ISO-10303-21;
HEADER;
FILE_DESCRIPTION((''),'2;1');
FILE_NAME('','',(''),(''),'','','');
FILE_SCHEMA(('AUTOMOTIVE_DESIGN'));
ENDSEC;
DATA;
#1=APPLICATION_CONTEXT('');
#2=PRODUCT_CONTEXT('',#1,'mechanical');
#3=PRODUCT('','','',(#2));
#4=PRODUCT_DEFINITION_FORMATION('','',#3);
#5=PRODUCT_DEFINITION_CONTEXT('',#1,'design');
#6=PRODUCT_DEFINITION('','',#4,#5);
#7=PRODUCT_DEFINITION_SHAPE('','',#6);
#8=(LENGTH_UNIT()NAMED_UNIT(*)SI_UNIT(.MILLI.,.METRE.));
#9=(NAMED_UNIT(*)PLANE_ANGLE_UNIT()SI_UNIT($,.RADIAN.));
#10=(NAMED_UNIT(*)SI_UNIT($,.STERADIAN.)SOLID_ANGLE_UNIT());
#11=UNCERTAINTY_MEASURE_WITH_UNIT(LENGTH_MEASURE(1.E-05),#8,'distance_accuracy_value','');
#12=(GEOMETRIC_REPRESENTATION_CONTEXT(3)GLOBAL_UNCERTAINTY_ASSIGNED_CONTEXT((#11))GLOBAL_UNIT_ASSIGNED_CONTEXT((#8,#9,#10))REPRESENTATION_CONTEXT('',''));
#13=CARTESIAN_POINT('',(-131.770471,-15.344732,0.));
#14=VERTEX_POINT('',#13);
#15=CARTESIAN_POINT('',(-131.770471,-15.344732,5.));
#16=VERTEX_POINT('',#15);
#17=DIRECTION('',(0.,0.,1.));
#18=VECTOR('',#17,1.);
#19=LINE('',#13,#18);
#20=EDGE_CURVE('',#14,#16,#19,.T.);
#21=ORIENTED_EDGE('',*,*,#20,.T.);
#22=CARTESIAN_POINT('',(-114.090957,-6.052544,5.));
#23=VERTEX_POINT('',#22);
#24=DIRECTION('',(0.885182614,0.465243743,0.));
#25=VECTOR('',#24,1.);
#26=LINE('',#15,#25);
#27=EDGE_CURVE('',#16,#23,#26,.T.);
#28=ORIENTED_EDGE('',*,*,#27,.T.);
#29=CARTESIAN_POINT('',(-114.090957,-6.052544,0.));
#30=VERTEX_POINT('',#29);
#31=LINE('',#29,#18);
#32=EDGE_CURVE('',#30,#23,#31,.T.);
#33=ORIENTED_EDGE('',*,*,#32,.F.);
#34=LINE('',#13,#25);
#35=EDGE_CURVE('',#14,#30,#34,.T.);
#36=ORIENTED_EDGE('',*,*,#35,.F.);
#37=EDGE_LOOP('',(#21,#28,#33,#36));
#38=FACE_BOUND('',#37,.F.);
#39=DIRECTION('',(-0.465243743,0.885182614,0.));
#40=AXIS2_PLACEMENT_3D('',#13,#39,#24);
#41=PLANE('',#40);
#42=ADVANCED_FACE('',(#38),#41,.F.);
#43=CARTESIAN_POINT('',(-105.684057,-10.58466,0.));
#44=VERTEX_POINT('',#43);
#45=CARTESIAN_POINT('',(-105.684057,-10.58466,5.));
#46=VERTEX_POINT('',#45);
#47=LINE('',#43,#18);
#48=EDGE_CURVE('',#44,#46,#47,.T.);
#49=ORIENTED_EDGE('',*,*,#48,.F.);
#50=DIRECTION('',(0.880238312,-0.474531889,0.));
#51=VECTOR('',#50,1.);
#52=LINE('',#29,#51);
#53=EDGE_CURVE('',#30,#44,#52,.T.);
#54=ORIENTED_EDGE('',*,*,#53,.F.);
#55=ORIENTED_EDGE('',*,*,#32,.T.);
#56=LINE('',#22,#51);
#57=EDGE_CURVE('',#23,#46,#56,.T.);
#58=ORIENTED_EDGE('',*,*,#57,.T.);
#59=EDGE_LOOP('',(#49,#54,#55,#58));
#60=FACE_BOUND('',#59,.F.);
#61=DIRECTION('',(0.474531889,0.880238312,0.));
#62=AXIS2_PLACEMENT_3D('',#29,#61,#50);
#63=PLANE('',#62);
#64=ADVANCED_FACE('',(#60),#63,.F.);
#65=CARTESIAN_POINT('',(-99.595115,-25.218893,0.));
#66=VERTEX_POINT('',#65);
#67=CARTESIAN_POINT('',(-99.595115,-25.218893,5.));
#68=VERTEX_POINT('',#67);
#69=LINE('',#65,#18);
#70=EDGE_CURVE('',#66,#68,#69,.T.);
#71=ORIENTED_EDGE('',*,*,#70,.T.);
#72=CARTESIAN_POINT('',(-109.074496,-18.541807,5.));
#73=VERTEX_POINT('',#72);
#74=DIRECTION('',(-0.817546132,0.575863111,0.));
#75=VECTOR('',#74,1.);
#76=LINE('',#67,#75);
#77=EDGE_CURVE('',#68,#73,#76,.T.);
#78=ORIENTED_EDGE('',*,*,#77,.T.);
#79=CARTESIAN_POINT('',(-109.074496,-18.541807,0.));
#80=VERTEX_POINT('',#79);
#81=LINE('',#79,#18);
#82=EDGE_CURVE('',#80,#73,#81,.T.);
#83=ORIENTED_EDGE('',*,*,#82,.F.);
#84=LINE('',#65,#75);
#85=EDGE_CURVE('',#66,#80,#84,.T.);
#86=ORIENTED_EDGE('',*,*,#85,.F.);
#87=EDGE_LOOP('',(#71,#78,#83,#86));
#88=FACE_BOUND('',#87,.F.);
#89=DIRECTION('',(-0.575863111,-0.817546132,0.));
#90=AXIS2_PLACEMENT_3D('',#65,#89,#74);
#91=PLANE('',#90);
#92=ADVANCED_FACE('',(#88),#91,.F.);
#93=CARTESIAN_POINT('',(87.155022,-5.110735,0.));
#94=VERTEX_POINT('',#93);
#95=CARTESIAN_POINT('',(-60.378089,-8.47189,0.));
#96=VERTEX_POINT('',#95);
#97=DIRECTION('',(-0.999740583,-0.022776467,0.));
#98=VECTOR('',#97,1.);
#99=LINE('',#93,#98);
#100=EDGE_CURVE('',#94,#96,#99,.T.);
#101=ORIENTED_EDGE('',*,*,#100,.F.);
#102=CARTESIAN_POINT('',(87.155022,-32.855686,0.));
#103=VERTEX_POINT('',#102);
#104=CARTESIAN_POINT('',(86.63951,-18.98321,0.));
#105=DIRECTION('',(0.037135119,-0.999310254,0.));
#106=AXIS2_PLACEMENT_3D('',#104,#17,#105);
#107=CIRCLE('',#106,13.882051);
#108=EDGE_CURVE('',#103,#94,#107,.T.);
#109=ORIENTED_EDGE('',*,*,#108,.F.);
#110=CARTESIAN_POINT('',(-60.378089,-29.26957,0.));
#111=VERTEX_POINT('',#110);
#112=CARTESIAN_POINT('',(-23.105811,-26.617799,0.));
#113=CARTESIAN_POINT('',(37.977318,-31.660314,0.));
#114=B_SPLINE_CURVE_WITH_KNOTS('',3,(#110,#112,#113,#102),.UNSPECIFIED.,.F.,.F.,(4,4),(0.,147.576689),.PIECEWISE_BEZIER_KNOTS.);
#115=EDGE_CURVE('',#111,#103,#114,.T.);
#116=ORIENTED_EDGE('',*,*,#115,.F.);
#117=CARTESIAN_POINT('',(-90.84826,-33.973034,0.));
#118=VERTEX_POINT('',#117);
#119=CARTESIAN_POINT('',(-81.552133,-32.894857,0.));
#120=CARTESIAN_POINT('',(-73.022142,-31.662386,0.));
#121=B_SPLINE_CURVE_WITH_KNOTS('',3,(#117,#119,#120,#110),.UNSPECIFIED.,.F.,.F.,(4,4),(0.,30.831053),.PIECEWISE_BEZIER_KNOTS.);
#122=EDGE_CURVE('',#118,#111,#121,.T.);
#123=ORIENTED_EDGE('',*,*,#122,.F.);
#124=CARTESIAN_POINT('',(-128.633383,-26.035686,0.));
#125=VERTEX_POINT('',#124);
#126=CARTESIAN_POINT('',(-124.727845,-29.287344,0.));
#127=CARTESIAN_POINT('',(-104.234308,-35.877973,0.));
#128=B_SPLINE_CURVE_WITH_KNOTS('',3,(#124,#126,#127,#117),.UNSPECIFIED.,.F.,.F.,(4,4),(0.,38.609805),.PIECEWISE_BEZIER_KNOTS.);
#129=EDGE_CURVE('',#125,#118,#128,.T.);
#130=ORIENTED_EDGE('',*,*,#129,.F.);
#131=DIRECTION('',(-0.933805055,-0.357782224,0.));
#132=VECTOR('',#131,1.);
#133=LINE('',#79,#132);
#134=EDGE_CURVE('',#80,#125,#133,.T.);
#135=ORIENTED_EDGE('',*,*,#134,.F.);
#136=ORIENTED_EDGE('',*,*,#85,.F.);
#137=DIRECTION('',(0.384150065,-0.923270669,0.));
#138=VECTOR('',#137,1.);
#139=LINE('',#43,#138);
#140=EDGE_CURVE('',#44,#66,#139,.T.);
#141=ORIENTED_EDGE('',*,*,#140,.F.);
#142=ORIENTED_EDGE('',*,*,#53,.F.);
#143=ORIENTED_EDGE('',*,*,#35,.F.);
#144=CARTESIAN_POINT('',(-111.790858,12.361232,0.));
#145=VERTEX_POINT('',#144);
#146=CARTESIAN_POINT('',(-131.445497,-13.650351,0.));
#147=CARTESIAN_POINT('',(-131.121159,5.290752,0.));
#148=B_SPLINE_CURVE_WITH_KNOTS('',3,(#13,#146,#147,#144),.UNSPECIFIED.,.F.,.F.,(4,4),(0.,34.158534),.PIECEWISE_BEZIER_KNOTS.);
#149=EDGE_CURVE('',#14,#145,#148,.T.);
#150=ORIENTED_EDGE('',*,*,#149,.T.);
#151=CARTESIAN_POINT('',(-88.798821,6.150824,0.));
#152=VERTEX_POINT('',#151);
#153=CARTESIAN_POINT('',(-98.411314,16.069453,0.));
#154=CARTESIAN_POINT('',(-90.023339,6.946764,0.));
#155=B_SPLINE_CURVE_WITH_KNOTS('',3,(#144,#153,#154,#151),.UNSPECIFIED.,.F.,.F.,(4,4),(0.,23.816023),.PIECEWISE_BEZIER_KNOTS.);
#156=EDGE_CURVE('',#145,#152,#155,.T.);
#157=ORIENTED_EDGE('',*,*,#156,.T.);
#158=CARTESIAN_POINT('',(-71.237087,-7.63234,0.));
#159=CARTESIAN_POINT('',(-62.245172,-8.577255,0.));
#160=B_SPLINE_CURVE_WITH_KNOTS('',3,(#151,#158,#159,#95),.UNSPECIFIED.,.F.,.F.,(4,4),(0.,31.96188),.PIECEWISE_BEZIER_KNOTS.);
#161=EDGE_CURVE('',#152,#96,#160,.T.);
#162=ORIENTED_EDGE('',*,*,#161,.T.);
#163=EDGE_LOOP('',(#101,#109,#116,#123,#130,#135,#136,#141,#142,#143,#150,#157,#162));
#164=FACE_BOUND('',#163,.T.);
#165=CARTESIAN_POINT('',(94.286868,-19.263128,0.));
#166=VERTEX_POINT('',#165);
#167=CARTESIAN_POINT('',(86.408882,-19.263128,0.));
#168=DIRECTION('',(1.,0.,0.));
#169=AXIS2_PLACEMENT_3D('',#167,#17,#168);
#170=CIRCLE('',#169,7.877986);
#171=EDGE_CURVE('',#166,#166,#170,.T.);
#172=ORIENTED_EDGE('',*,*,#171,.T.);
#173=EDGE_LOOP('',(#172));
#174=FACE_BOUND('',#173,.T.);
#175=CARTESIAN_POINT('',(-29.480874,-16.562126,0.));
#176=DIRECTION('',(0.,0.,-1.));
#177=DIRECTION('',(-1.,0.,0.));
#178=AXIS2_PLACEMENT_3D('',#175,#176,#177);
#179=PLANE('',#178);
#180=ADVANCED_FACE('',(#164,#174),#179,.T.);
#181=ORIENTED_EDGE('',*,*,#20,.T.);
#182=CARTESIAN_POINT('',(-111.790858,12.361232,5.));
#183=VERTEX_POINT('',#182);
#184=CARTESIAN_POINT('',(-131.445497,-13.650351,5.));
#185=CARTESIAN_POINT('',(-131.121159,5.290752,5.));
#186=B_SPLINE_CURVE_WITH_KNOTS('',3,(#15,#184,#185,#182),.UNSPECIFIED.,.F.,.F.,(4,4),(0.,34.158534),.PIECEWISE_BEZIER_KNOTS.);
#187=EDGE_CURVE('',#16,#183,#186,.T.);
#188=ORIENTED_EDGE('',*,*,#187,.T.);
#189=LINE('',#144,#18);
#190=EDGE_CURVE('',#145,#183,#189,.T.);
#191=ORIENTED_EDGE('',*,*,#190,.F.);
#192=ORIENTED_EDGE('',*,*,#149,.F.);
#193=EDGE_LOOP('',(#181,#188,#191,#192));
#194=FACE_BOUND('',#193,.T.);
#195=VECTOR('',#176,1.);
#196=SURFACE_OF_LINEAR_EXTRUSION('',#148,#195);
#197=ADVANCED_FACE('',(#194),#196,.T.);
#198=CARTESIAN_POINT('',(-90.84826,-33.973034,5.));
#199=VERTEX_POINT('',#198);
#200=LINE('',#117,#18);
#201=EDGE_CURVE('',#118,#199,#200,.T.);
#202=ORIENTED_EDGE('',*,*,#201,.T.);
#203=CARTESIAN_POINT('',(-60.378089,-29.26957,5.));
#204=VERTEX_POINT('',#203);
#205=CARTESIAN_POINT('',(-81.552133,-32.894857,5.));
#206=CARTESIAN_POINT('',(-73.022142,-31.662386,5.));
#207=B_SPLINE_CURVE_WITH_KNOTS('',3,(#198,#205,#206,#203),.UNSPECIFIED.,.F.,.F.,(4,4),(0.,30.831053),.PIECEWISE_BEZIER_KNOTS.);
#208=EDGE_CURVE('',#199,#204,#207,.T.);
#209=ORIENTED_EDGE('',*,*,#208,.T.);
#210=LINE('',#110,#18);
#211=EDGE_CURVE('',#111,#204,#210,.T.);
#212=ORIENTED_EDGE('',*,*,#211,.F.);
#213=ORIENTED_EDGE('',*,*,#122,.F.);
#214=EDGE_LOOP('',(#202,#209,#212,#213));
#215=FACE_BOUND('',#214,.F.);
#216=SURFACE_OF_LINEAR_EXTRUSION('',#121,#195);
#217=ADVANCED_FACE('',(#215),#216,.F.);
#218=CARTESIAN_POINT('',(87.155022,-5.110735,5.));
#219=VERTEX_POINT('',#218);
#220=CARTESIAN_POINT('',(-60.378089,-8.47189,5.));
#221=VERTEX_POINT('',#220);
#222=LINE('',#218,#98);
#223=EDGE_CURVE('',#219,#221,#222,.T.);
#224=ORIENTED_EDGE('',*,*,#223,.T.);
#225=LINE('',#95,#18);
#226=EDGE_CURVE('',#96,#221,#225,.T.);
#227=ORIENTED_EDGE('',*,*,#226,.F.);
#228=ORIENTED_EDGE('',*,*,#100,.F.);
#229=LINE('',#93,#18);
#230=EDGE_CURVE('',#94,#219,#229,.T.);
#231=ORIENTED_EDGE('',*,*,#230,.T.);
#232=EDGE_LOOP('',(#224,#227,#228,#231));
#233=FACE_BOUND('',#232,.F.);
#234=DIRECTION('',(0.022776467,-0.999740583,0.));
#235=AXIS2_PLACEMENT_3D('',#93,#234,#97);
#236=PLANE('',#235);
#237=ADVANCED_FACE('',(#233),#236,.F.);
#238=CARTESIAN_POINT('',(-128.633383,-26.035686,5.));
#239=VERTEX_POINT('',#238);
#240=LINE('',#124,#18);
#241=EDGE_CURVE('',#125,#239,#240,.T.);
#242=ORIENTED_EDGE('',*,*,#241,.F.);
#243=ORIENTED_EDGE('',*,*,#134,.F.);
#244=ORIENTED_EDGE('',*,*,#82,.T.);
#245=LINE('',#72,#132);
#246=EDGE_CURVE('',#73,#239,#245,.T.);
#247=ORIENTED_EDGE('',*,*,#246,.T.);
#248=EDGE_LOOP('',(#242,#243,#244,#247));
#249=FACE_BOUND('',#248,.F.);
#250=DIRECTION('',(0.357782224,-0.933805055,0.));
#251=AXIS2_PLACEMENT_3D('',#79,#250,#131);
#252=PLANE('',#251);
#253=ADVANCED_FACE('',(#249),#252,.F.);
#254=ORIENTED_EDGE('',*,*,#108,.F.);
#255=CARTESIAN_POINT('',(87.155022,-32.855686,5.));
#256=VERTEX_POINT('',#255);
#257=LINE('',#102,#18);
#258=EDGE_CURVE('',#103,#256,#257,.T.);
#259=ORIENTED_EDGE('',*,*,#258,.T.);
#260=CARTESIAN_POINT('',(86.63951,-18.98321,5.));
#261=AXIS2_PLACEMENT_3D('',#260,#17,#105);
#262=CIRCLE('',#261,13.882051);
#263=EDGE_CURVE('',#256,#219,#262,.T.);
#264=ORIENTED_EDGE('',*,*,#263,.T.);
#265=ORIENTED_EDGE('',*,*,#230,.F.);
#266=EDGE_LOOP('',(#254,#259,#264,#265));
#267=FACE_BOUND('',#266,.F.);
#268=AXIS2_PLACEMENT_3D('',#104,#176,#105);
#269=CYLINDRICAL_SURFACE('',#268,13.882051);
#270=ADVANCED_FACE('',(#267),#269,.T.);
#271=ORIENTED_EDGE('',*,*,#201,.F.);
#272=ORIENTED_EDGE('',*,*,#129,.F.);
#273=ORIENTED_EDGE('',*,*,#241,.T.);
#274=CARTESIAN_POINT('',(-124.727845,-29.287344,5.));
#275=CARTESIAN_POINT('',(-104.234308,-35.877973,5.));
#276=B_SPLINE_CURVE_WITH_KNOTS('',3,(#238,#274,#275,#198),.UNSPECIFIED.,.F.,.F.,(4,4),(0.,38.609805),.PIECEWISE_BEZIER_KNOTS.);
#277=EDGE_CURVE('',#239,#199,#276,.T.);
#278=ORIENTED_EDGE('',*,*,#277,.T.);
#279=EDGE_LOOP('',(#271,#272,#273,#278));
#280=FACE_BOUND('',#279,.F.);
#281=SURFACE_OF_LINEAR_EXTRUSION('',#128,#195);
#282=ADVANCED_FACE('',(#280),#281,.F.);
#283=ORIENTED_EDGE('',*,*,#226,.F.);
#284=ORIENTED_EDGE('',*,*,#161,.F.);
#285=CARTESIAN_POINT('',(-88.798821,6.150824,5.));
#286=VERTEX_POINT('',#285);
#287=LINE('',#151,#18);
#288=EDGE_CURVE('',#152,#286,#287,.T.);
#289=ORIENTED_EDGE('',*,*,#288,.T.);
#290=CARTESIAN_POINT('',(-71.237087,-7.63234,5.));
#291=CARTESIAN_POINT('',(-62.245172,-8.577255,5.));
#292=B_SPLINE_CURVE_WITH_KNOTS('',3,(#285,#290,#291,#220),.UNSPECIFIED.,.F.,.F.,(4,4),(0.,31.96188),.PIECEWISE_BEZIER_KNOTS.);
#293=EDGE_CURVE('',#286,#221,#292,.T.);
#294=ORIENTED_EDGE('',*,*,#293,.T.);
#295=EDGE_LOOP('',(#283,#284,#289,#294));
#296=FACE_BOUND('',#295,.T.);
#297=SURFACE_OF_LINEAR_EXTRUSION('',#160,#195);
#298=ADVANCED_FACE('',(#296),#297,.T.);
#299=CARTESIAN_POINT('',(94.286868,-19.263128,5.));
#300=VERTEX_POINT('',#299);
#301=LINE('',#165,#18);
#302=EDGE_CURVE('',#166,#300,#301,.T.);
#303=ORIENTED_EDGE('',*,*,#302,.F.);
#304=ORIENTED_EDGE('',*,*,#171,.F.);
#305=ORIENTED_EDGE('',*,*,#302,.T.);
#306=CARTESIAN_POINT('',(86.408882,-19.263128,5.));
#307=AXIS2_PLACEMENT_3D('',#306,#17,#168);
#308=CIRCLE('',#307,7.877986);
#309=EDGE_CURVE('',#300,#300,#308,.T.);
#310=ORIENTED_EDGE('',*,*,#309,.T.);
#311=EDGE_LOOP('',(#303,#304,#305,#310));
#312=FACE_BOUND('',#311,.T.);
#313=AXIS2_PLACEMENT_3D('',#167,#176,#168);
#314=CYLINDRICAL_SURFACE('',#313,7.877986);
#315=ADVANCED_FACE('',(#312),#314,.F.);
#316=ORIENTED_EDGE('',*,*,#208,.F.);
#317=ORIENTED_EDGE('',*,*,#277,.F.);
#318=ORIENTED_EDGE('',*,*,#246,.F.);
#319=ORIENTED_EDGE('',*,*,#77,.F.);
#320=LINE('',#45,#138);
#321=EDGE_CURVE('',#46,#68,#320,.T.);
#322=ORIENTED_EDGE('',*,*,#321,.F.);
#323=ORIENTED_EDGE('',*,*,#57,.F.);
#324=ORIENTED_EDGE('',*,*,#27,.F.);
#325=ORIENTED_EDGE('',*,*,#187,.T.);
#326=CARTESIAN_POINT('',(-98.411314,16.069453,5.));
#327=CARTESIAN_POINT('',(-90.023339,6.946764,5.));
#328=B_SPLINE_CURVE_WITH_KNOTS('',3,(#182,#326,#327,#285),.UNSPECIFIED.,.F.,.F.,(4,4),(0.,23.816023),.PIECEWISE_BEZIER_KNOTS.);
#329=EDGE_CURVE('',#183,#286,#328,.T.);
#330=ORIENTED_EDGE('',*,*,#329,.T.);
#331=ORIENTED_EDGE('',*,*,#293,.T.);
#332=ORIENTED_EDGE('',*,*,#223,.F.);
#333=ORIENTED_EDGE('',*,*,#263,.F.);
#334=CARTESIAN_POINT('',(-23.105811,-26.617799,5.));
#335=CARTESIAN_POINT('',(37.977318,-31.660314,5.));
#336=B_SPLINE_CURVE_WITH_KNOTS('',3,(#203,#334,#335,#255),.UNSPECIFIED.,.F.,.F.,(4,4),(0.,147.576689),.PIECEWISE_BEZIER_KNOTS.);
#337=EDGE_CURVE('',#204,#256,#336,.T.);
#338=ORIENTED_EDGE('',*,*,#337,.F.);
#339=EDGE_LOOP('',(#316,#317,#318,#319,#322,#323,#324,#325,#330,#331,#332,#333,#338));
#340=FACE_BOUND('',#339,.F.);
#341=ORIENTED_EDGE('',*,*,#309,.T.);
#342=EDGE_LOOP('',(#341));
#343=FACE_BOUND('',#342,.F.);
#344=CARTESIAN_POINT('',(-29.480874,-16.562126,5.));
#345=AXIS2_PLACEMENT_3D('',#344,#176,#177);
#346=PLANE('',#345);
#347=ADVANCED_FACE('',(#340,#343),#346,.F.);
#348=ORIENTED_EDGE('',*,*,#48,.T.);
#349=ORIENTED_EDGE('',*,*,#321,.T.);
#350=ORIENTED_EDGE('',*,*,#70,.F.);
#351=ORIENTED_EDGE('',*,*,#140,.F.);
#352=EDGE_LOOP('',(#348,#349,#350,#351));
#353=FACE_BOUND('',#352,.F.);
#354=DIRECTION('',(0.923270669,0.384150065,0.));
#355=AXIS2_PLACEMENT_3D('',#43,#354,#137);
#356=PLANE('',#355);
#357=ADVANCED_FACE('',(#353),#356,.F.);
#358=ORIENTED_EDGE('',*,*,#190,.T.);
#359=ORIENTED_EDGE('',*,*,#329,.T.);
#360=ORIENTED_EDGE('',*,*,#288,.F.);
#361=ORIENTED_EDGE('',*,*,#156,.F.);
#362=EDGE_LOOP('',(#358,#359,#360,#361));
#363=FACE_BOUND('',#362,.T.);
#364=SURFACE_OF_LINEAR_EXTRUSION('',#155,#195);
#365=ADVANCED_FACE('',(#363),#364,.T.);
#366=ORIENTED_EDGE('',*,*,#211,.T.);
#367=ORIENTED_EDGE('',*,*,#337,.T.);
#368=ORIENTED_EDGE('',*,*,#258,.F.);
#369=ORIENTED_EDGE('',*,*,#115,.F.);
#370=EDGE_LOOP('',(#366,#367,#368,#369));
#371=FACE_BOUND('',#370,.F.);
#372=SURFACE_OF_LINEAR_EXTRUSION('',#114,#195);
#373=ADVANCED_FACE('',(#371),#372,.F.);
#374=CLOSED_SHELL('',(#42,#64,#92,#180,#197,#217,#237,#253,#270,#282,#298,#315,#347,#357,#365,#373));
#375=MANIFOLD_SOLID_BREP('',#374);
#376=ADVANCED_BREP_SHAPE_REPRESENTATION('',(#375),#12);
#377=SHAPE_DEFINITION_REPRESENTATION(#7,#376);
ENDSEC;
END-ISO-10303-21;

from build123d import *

# Parameters (mm, degrees)
F0_R     = 7.877986
F1_DEPTH = 5


with BuildPart() as f1:
    # F0 (on Top) → F1 (new body)
    with BuildSketch(Plane.XY):
        with BuildLine():
            add(Edge.make_bspline(
                [(-131.770471, -15.344732), (-131.445497, -13.650351), (-131.121159, 5.290752), (-111.790858, 12.361232)],
                knots=[0, 0, 0, 0, 34.158534, 34.158534, 34.158534, 34.158534], degree=3))
            Line((-131.770471, -15.344732), (-114.090957, -6.052544))
            Line((-114.090957, -6.052544), (-105.684057, -10.58466))
            Line((-105.684057, -10.58466), (-99.595115, -25.218893))
            Line((-99.595115, -25.218893), (-109.074496, -18.541807))
            Line((-109.074496, -18.541807), (-128.633383, -26.035686))
            add(Edge.make_bspline(
                [(-128.633383, -26.035686), (-124.727845, -29.287344), (-104.234308, -35.877973), (-90.84826, -33.973034)],
                knots=[0, 0, 0, 0, 38.609805, 38.609805, 38.609805, 38.609805], degree=3))
            add(Edge.make_bspline(
                [(-90.84826, -33.973034), (-81.552133, -32.894857), (-73.022142, -31.662386), (-60.378089, -29.26957)],
                knots=[0, 0, 0, 0, 30.831053, 30.831053, 30.831053, 30.831053], degree=3))
            add(Edge.make_bspline(
                [(-60.378089, -29.26957), (-23.105811, -26.617799), (37.977318, -31.660314), (87.155022, -32.855686)],
                knots=[0, 0, 0, 0, 147.576689, 147.576689, 147.576689, 147.576689], degree=3))
            ThreePointArc((87.155022, -32.855686), (100.521561, -18.98321), (87.155022, -5.110735))
            Line((87.155022, -5.110735), (-60.378089, -8.47189))
            add(Edge.make_bspline(
                [(-88.798821, 6.150824), (-71.237087, -7.63234), (-62.245172, -8.577255), (-60.378089, -8.47189)],
                knots=[0, 0, 0, 0, 31.96188, 31.96188, 31.96188, 31.96188], degree=3))
            add(Edge.make_bspline(
                [(-111.790858, 12.361232), (-98.411314, 16.069453), (-90.023339, 6.946764), (-88.798821, 6.150824)],
                knots=[0, 0, 0, 0, 23.816023, 23.816023, 23.816023, 23.816023], degree=3))
        make_face()
        with Locations((86.408882, -19.263128)):
            Circle(F0_R, mode=Mode.SUBTRACT)
    extrude(amount=F1_DEPTH)


solid = f1.part
